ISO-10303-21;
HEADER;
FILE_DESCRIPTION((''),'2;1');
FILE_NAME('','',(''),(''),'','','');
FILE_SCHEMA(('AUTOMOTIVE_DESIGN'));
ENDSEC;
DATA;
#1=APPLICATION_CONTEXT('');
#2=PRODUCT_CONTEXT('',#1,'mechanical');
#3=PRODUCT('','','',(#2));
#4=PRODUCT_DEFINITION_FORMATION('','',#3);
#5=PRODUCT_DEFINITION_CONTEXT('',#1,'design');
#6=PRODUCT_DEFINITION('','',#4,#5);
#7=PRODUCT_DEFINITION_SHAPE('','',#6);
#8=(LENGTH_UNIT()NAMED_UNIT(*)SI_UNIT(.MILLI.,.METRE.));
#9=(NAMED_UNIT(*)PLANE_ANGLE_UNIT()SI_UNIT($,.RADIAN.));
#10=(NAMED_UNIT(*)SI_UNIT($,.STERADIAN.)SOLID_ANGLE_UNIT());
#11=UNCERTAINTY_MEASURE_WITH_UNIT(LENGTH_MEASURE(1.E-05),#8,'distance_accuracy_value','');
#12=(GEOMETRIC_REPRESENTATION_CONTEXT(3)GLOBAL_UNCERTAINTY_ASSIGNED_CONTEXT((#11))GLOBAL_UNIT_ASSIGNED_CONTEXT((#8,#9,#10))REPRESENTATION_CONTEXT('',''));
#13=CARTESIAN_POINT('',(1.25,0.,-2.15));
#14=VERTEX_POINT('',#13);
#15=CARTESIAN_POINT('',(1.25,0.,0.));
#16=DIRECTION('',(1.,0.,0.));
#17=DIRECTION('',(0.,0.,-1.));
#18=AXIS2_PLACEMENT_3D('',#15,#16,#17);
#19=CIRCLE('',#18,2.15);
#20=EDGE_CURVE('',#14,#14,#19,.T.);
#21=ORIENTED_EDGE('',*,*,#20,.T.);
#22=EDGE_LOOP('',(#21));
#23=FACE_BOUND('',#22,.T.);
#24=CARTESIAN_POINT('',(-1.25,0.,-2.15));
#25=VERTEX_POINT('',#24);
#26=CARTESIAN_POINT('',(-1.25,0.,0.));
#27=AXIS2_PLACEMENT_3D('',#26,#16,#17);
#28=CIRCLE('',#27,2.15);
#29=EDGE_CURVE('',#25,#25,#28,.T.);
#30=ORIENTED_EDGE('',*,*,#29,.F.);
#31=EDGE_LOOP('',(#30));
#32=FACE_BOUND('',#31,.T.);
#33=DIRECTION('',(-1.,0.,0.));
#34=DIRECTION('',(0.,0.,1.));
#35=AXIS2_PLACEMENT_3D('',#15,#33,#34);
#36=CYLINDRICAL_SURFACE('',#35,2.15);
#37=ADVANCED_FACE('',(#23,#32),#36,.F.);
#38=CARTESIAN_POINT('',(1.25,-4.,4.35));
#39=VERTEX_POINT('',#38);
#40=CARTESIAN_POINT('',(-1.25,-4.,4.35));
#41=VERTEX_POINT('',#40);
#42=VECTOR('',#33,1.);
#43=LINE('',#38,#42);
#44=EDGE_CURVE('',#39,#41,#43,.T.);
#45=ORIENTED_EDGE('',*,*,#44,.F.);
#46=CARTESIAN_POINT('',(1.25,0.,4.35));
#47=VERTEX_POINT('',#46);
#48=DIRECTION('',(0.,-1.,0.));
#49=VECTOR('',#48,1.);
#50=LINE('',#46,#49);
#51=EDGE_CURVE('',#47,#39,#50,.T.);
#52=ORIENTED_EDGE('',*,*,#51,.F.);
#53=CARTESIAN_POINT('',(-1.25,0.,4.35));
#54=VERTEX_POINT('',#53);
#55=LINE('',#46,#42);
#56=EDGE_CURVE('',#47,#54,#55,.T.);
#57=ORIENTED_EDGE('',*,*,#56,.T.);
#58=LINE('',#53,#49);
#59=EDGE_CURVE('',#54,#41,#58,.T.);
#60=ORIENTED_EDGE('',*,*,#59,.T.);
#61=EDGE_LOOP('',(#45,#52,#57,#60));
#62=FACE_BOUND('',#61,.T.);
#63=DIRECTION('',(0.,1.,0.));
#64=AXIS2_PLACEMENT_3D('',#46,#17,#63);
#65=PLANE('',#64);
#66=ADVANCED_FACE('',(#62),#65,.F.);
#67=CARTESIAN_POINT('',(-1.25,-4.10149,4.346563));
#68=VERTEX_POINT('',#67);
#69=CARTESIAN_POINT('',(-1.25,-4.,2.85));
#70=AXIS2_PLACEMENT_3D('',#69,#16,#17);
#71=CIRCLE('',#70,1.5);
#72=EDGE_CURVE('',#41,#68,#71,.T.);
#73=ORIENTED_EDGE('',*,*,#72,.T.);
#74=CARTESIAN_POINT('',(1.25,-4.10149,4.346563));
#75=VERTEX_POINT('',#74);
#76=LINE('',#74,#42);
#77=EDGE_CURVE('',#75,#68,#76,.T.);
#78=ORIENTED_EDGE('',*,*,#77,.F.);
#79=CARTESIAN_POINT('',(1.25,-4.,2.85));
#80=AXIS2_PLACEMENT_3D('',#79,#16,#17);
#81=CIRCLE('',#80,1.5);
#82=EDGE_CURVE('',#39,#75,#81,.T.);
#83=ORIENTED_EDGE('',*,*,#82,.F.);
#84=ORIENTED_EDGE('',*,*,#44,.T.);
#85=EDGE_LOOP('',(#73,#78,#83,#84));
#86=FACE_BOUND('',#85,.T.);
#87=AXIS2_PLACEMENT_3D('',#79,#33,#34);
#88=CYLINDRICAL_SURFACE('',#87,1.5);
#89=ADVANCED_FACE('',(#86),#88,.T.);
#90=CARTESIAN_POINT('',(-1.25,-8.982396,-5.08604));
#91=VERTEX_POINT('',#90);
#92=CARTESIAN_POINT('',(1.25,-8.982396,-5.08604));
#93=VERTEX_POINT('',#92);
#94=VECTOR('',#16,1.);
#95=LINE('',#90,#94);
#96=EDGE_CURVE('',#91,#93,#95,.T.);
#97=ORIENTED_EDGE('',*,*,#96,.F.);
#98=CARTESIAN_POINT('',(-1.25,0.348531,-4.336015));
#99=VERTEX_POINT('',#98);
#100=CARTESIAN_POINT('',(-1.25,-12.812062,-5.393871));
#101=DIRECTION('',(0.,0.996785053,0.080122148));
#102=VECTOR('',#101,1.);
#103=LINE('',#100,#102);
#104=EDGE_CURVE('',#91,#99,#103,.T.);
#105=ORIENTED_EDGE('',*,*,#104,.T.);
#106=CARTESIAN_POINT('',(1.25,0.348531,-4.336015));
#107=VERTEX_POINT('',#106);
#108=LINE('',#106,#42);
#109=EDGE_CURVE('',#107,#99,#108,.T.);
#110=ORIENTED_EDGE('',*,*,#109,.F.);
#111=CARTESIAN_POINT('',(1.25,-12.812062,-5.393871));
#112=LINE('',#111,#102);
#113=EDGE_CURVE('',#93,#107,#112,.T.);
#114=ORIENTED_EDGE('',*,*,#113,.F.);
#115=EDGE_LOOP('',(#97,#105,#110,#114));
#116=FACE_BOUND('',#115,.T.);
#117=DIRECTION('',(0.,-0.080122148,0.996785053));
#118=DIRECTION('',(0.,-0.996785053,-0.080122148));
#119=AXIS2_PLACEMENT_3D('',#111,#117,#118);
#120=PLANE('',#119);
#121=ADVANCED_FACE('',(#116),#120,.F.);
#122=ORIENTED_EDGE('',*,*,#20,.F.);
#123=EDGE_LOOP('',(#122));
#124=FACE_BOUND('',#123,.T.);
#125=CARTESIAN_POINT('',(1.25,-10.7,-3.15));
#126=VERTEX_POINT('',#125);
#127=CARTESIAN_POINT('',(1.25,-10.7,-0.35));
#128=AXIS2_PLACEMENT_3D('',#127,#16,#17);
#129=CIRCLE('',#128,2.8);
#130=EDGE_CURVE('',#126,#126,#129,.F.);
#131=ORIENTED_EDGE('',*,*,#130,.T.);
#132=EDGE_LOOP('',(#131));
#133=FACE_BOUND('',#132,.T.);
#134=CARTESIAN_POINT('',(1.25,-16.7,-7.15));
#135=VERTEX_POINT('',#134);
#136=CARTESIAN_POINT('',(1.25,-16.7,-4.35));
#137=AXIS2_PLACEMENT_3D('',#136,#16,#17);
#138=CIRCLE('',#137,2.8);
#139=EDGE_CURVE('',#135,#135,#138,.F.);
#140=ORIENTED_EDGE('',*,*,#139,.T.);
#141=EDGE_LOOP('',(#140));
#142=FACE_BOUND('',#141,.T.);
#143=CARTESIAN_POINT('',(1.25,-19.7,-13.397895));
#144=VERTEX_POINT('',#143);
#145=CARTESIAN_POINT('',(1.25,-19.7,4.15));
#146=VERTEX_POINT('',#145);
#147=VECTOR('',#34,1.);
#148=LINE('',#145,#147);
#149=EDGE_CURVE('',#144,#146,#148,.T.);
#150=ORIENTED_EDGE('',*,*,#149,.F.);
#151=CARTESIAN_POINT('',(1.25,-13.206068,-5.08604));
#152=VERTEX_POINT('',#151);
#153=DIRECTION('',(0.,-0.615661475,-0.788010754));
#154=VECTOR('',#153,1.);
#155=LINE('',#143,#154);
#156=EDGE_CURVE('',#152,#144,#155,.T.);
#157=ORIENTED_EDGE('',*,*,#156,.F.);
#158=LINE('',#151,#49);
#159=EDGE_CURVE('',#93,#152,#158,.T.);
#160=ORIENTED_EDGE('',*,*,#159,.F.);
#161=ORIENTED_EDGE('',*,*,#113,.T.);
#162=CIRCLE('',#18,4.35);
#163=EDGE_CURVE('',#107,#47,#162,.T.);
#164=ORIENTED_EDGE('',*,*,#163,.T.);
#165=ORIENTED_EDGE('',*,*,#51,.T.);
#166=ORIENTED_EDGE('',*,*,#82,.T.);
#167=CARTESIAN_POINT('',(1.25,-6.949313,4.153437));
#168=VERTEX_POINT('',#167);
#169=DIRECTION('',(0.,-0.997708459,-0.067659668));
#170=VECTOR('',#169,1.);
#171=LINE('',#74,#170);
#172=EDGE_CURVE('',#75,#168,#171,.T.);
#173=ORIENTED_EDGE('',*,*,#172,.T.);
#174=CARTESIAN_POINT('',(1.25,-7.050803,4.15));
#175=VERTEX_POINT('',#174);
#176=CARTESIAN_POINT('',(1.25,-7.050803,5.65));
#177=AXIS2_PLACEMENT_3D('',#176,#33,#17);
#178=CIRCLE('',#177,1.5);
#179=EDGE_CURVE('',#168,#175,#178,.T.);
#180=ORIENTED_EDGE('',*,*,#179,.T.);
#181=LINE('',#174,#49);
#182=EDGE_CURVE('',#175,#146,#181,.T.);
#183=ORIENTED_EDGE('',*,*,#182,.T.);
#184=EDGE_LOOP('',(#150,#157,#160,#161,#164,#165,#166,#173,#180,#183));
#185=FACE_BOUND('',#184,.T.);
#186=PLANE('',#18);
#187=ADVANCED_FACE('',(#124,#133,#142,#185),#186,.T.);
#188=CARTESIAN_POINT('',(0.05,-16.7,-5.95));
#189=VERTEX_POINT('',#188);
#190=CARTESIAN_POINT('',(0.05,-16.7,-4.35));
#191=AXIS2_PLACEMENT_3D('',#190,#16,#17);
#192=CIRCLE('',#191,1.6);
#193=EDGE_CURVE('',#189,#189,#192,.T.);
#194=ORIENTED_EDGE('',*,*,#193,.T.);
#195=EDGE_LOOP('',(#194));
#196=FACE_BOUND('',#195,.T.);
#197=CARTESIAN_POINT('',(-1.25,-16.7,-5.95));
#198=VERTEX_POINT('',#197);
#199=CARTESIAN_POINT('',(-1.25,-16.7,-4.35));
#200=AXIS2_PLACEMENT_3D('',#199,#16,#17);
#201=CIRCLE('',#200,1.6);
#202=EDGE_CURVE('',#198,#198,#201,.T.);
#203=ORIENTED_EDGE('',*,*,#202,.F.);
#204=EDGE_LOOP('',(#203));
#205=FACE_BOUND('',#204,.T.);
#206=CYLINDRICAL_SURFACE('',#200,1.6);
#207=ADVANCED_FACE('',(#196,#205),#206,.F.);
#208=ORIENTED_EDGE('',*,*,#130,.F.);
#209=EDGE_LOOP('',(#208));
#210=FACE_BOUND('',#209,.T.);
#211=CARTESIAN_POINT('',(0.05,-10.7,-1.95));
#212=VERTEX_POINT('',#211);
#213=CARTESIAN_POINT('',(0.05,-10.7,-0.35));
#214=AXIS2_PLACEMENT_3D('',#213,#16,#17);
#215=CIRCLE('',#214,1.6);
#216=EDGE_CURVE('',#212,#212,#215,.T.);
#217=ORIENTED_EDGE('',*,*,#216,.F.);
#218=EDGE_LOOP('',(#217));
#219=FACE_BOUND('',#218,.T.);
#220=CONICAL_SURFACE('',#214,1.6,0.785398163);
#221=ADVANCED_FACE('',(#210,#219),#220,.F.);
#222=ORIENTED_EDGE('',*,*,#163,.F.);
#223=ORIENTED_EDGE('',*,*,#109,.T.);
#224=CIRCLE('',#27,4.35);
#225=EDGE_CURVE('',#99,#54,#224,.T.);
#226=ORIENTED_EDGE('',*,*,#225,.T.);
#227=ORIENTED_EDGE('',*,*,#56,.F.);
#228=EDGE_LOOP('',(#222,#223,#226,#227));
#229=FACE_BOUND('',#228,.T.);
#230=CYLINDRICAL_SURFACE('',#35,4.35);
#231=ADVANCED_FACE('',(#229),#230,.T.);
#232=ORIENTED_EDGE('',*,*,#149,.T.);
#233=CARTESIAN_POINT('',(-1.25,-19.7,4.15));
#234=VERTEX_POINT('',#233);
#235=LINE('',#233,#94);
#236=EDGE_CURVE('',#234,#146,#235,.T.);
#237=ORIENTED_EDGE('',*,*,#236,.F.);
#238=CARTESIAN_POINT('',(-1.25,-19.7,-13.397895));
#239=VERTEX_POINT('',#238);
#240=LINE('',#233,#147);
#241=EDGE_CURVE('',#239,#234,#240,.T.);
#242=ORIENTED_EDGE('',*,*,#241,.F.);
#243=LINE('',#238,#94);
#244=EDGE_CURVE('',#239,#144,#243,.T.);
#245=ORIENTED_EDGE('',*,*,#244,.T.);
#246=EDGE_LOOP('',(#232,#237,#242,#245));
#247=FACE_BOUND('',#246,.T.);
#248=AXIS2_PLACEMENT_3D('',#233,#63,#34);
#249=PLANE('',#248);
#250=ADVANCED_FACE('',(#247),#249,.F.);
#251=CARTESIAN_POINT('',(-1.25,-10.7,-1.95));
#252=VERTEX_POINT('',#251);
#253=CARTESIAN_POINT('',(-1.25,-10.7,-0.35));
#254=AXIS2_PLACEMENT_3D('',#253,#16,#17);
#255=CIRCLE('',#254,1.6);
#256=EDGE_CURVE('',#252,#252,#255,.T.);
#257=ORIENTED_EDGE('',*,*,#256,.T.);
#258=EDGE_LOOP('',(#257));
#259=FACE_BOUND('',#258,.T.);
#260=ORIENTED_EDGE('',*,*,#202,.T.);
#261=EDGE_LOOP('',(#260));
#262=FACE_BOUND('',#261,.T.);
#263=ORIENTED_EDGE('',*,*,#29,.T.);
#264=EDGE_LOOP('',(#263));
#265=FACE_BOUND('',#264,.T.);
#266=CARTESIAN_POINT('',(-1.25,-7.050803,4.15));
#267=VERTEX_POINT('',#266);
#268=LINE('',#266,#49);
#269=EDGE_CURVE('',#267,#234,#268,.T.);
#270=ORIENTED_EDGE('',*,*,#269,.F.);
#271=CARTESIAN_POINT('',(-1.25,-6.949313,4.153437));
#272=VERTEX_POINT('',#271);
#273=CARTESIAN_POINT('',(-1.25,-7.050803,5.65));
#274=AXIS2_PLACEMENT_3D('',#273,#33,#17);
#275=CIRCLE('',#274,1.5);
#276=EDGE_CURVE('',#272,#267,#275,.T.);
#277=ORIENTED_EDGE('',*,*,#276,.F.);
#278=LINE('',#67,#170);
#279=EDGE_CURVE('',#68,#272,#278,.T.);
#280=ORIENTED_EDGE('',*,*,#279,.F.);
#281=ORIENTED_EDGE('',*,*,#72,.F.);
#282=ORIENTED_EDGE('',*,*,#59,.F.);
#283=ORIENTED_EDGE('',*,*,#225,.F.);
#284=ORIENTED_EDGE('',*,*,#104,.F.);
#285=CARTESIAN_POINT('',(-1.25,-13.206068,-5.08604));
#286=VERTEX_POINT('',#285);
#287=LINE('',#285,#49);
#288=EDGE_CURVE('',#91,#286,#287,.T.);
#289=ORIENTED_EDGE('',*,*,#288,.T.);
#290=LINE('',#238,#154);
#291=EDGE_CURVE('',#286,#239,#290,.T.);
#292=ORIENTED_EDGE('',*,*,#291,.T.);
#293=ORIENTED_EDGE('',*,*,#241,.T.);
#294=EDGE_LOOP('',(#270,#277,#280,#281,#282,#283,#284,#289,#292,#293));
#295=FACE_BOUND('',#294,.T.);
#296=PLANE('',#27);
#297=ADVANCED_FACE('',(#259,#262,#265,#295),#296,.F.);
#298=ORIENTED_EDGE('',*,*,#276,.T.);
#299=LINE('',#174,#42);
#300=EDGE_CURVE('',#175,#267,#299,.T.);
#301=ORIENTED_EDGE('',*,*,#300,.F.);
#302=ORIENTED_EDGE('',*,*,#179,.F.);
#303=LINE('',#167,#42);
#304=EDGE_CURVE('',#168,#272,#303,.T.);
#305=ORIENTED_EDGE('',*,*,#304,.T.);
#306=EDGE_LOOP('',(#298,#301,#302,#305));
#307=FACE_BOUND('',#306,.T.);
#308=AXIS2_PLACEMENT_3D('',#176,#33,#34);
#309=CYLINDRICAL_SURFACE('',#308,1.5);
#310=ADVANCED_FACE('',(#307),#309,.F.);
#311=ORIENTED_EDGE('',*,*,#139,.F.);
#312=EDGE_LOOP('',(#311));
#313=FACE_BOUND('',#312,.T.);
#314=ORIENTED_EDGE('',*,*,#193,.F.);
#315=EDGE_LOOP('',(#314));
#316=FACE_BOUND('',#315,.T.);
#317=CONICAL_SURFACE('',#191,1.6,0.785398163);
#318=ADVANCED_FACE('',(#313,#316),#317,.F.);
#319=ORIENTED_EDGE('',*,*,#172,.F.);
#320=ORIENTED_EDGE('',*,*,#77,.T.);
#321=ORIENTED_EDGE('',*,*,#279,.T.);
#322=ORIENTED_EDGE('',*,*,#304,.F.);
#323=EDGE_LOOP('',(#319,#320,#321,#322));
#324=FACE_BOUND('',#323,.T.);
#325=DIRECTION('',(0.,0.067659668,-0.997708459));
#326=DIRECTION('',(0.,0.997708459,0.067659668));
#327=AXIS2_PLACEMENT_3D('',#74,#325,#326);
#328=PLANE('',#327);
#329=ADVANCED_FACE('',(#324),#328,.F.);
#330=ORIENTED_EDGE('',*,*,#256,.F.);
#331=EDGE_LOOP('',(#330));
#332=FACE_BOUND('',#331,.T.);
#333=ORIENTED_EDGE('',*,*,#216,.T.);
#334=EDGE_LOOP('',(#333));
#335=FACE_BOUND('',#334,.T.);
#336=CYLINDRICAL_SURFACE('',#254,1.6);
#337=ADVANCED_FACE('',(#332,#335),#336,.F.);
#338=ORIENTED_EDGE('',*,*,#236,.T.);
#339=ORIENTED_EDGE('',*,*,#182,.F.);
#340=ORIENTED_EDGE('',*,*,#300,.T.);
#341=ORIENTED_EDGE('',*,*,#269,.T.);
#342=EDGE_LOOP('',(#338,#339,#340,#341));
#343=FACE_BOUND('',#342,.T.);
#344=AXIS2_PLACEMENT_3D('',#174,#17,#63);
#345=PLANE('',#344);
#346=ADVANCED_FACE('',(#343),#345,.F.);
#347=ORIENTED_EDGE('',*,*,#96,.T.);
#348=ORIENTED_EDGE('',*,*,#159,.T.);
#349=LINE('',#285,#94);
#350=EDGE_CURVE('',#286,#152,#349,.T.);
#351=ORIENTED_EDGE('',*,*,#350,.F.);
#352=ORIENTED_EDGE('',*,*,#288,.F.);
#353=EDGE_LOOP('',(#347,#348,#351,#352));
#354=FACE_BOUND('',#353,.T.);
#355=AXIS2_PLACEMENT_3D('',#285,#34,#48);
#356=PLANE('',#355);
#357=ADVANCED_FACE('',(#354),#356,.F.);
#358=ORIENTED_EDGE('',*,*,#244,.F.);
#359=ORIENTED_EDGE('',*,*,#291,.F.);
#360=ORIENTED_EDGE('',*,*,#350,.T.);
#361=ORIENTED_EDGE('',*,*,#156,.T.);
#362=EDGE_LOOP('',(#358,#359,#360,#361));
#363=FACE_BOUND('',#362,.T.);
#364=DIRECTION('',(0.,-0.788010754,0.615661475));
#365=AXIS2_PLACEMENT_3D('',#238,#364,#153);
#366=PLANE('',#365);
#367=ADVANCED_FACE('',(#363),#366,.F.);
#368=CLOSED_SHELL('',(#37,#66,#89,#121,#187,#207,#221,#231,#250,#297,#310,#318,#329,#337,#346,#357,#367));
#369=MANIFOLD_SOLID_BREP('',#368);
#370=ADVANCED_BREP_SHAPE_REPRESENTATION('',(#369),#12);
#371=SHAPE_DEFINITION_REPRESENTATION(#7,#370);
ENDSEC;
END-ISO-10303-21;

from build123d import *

# Parameters (mm, degrees)
SKETCH1_R           = 2.15
BOSS_EXTRUDE1_DEPTH = 1.25
SKETCH3_R           = 1.6
CUT_EXTRUDE1_DEPTH  = 26.195485707
CHAMFER1_SIZE       = 1.2


with BuildPart() as part:
    # Sketch1 → Boss-Extrude1 (new, symmetric)
    with BuildSketch(Plane(origin=(0, 0, 0), x_dir=(0, 0, -1), z_dir=(1, 0, 0))):
        with BuildLine():
            Line((-4.35, 0), (-4.35, -4))
            ThreePointArc((-4.35, -4), (-4.349140426, -4.050773847), (-4.346562689, -4.101489502))
            Line((-4.346562689, -4.101489502), (-4.153437311, -6.949313458))
            ThreePointArc((-4.153437311, -6.949313458), (-4.150859574, -7.000029113), (-4.15, -7.050802959))
            Line((-4.15, -7.050802959), (-4.15, -20.2))
            Line((-4.15, -20.2), (14.85, -20.2))
            Line((14.85, -20.2), (5.393870957, -12.812062296))
            Line((5.393870957, -12.812062296), (4.33601498, 0.348531342))
            ThreePointArc((4.33601498, 0.348531342), (-0.174405904, 4.346502339), (-4.35, 0))
        make_face()
        Circle(SKETCH1_R, mode=Mode.SUBTRACT)
    extrude(amount=BOSS_EXTRUDE1_DEPTH, both=True)

    # Sketch3 → Cut-Extrude1 (cut, through all)
    with BuildSketch(Plane(origin=(1.25, 0, 0), x_dir=(0, 0, -1), z_dir=(1, 0, 0))):
        with Locations((0.35, -10.7)):
            Circle(SKETCH3_R)
        with Locations((4.35, -16.7)):
            Circle(SKETCH3_R)
        Polygon((-4.15, -20.2), (14.85, -20.2), (5.393870957, -12.812062296), (5.086040219, -8.982396127), (5.086040219, -13.206067673), (13.397894561, -19.7), (-4.15, -19.7), align=None)
    extrude(amount=-CUT_EXTRUDE1_DEPTH, mode=Mode.SUBTRACT)

    # Chamfer1
    chamfer1_edges = [part.edges().sort_by_distance(p)[0] for p in [
        (1.25, -16.7, -2.75),
        (1.25, -10.7, 1.25),
    ]]
    chamfer(chamfer1_edges, length=CHAMFER1_SIZE)


solid = part.part
